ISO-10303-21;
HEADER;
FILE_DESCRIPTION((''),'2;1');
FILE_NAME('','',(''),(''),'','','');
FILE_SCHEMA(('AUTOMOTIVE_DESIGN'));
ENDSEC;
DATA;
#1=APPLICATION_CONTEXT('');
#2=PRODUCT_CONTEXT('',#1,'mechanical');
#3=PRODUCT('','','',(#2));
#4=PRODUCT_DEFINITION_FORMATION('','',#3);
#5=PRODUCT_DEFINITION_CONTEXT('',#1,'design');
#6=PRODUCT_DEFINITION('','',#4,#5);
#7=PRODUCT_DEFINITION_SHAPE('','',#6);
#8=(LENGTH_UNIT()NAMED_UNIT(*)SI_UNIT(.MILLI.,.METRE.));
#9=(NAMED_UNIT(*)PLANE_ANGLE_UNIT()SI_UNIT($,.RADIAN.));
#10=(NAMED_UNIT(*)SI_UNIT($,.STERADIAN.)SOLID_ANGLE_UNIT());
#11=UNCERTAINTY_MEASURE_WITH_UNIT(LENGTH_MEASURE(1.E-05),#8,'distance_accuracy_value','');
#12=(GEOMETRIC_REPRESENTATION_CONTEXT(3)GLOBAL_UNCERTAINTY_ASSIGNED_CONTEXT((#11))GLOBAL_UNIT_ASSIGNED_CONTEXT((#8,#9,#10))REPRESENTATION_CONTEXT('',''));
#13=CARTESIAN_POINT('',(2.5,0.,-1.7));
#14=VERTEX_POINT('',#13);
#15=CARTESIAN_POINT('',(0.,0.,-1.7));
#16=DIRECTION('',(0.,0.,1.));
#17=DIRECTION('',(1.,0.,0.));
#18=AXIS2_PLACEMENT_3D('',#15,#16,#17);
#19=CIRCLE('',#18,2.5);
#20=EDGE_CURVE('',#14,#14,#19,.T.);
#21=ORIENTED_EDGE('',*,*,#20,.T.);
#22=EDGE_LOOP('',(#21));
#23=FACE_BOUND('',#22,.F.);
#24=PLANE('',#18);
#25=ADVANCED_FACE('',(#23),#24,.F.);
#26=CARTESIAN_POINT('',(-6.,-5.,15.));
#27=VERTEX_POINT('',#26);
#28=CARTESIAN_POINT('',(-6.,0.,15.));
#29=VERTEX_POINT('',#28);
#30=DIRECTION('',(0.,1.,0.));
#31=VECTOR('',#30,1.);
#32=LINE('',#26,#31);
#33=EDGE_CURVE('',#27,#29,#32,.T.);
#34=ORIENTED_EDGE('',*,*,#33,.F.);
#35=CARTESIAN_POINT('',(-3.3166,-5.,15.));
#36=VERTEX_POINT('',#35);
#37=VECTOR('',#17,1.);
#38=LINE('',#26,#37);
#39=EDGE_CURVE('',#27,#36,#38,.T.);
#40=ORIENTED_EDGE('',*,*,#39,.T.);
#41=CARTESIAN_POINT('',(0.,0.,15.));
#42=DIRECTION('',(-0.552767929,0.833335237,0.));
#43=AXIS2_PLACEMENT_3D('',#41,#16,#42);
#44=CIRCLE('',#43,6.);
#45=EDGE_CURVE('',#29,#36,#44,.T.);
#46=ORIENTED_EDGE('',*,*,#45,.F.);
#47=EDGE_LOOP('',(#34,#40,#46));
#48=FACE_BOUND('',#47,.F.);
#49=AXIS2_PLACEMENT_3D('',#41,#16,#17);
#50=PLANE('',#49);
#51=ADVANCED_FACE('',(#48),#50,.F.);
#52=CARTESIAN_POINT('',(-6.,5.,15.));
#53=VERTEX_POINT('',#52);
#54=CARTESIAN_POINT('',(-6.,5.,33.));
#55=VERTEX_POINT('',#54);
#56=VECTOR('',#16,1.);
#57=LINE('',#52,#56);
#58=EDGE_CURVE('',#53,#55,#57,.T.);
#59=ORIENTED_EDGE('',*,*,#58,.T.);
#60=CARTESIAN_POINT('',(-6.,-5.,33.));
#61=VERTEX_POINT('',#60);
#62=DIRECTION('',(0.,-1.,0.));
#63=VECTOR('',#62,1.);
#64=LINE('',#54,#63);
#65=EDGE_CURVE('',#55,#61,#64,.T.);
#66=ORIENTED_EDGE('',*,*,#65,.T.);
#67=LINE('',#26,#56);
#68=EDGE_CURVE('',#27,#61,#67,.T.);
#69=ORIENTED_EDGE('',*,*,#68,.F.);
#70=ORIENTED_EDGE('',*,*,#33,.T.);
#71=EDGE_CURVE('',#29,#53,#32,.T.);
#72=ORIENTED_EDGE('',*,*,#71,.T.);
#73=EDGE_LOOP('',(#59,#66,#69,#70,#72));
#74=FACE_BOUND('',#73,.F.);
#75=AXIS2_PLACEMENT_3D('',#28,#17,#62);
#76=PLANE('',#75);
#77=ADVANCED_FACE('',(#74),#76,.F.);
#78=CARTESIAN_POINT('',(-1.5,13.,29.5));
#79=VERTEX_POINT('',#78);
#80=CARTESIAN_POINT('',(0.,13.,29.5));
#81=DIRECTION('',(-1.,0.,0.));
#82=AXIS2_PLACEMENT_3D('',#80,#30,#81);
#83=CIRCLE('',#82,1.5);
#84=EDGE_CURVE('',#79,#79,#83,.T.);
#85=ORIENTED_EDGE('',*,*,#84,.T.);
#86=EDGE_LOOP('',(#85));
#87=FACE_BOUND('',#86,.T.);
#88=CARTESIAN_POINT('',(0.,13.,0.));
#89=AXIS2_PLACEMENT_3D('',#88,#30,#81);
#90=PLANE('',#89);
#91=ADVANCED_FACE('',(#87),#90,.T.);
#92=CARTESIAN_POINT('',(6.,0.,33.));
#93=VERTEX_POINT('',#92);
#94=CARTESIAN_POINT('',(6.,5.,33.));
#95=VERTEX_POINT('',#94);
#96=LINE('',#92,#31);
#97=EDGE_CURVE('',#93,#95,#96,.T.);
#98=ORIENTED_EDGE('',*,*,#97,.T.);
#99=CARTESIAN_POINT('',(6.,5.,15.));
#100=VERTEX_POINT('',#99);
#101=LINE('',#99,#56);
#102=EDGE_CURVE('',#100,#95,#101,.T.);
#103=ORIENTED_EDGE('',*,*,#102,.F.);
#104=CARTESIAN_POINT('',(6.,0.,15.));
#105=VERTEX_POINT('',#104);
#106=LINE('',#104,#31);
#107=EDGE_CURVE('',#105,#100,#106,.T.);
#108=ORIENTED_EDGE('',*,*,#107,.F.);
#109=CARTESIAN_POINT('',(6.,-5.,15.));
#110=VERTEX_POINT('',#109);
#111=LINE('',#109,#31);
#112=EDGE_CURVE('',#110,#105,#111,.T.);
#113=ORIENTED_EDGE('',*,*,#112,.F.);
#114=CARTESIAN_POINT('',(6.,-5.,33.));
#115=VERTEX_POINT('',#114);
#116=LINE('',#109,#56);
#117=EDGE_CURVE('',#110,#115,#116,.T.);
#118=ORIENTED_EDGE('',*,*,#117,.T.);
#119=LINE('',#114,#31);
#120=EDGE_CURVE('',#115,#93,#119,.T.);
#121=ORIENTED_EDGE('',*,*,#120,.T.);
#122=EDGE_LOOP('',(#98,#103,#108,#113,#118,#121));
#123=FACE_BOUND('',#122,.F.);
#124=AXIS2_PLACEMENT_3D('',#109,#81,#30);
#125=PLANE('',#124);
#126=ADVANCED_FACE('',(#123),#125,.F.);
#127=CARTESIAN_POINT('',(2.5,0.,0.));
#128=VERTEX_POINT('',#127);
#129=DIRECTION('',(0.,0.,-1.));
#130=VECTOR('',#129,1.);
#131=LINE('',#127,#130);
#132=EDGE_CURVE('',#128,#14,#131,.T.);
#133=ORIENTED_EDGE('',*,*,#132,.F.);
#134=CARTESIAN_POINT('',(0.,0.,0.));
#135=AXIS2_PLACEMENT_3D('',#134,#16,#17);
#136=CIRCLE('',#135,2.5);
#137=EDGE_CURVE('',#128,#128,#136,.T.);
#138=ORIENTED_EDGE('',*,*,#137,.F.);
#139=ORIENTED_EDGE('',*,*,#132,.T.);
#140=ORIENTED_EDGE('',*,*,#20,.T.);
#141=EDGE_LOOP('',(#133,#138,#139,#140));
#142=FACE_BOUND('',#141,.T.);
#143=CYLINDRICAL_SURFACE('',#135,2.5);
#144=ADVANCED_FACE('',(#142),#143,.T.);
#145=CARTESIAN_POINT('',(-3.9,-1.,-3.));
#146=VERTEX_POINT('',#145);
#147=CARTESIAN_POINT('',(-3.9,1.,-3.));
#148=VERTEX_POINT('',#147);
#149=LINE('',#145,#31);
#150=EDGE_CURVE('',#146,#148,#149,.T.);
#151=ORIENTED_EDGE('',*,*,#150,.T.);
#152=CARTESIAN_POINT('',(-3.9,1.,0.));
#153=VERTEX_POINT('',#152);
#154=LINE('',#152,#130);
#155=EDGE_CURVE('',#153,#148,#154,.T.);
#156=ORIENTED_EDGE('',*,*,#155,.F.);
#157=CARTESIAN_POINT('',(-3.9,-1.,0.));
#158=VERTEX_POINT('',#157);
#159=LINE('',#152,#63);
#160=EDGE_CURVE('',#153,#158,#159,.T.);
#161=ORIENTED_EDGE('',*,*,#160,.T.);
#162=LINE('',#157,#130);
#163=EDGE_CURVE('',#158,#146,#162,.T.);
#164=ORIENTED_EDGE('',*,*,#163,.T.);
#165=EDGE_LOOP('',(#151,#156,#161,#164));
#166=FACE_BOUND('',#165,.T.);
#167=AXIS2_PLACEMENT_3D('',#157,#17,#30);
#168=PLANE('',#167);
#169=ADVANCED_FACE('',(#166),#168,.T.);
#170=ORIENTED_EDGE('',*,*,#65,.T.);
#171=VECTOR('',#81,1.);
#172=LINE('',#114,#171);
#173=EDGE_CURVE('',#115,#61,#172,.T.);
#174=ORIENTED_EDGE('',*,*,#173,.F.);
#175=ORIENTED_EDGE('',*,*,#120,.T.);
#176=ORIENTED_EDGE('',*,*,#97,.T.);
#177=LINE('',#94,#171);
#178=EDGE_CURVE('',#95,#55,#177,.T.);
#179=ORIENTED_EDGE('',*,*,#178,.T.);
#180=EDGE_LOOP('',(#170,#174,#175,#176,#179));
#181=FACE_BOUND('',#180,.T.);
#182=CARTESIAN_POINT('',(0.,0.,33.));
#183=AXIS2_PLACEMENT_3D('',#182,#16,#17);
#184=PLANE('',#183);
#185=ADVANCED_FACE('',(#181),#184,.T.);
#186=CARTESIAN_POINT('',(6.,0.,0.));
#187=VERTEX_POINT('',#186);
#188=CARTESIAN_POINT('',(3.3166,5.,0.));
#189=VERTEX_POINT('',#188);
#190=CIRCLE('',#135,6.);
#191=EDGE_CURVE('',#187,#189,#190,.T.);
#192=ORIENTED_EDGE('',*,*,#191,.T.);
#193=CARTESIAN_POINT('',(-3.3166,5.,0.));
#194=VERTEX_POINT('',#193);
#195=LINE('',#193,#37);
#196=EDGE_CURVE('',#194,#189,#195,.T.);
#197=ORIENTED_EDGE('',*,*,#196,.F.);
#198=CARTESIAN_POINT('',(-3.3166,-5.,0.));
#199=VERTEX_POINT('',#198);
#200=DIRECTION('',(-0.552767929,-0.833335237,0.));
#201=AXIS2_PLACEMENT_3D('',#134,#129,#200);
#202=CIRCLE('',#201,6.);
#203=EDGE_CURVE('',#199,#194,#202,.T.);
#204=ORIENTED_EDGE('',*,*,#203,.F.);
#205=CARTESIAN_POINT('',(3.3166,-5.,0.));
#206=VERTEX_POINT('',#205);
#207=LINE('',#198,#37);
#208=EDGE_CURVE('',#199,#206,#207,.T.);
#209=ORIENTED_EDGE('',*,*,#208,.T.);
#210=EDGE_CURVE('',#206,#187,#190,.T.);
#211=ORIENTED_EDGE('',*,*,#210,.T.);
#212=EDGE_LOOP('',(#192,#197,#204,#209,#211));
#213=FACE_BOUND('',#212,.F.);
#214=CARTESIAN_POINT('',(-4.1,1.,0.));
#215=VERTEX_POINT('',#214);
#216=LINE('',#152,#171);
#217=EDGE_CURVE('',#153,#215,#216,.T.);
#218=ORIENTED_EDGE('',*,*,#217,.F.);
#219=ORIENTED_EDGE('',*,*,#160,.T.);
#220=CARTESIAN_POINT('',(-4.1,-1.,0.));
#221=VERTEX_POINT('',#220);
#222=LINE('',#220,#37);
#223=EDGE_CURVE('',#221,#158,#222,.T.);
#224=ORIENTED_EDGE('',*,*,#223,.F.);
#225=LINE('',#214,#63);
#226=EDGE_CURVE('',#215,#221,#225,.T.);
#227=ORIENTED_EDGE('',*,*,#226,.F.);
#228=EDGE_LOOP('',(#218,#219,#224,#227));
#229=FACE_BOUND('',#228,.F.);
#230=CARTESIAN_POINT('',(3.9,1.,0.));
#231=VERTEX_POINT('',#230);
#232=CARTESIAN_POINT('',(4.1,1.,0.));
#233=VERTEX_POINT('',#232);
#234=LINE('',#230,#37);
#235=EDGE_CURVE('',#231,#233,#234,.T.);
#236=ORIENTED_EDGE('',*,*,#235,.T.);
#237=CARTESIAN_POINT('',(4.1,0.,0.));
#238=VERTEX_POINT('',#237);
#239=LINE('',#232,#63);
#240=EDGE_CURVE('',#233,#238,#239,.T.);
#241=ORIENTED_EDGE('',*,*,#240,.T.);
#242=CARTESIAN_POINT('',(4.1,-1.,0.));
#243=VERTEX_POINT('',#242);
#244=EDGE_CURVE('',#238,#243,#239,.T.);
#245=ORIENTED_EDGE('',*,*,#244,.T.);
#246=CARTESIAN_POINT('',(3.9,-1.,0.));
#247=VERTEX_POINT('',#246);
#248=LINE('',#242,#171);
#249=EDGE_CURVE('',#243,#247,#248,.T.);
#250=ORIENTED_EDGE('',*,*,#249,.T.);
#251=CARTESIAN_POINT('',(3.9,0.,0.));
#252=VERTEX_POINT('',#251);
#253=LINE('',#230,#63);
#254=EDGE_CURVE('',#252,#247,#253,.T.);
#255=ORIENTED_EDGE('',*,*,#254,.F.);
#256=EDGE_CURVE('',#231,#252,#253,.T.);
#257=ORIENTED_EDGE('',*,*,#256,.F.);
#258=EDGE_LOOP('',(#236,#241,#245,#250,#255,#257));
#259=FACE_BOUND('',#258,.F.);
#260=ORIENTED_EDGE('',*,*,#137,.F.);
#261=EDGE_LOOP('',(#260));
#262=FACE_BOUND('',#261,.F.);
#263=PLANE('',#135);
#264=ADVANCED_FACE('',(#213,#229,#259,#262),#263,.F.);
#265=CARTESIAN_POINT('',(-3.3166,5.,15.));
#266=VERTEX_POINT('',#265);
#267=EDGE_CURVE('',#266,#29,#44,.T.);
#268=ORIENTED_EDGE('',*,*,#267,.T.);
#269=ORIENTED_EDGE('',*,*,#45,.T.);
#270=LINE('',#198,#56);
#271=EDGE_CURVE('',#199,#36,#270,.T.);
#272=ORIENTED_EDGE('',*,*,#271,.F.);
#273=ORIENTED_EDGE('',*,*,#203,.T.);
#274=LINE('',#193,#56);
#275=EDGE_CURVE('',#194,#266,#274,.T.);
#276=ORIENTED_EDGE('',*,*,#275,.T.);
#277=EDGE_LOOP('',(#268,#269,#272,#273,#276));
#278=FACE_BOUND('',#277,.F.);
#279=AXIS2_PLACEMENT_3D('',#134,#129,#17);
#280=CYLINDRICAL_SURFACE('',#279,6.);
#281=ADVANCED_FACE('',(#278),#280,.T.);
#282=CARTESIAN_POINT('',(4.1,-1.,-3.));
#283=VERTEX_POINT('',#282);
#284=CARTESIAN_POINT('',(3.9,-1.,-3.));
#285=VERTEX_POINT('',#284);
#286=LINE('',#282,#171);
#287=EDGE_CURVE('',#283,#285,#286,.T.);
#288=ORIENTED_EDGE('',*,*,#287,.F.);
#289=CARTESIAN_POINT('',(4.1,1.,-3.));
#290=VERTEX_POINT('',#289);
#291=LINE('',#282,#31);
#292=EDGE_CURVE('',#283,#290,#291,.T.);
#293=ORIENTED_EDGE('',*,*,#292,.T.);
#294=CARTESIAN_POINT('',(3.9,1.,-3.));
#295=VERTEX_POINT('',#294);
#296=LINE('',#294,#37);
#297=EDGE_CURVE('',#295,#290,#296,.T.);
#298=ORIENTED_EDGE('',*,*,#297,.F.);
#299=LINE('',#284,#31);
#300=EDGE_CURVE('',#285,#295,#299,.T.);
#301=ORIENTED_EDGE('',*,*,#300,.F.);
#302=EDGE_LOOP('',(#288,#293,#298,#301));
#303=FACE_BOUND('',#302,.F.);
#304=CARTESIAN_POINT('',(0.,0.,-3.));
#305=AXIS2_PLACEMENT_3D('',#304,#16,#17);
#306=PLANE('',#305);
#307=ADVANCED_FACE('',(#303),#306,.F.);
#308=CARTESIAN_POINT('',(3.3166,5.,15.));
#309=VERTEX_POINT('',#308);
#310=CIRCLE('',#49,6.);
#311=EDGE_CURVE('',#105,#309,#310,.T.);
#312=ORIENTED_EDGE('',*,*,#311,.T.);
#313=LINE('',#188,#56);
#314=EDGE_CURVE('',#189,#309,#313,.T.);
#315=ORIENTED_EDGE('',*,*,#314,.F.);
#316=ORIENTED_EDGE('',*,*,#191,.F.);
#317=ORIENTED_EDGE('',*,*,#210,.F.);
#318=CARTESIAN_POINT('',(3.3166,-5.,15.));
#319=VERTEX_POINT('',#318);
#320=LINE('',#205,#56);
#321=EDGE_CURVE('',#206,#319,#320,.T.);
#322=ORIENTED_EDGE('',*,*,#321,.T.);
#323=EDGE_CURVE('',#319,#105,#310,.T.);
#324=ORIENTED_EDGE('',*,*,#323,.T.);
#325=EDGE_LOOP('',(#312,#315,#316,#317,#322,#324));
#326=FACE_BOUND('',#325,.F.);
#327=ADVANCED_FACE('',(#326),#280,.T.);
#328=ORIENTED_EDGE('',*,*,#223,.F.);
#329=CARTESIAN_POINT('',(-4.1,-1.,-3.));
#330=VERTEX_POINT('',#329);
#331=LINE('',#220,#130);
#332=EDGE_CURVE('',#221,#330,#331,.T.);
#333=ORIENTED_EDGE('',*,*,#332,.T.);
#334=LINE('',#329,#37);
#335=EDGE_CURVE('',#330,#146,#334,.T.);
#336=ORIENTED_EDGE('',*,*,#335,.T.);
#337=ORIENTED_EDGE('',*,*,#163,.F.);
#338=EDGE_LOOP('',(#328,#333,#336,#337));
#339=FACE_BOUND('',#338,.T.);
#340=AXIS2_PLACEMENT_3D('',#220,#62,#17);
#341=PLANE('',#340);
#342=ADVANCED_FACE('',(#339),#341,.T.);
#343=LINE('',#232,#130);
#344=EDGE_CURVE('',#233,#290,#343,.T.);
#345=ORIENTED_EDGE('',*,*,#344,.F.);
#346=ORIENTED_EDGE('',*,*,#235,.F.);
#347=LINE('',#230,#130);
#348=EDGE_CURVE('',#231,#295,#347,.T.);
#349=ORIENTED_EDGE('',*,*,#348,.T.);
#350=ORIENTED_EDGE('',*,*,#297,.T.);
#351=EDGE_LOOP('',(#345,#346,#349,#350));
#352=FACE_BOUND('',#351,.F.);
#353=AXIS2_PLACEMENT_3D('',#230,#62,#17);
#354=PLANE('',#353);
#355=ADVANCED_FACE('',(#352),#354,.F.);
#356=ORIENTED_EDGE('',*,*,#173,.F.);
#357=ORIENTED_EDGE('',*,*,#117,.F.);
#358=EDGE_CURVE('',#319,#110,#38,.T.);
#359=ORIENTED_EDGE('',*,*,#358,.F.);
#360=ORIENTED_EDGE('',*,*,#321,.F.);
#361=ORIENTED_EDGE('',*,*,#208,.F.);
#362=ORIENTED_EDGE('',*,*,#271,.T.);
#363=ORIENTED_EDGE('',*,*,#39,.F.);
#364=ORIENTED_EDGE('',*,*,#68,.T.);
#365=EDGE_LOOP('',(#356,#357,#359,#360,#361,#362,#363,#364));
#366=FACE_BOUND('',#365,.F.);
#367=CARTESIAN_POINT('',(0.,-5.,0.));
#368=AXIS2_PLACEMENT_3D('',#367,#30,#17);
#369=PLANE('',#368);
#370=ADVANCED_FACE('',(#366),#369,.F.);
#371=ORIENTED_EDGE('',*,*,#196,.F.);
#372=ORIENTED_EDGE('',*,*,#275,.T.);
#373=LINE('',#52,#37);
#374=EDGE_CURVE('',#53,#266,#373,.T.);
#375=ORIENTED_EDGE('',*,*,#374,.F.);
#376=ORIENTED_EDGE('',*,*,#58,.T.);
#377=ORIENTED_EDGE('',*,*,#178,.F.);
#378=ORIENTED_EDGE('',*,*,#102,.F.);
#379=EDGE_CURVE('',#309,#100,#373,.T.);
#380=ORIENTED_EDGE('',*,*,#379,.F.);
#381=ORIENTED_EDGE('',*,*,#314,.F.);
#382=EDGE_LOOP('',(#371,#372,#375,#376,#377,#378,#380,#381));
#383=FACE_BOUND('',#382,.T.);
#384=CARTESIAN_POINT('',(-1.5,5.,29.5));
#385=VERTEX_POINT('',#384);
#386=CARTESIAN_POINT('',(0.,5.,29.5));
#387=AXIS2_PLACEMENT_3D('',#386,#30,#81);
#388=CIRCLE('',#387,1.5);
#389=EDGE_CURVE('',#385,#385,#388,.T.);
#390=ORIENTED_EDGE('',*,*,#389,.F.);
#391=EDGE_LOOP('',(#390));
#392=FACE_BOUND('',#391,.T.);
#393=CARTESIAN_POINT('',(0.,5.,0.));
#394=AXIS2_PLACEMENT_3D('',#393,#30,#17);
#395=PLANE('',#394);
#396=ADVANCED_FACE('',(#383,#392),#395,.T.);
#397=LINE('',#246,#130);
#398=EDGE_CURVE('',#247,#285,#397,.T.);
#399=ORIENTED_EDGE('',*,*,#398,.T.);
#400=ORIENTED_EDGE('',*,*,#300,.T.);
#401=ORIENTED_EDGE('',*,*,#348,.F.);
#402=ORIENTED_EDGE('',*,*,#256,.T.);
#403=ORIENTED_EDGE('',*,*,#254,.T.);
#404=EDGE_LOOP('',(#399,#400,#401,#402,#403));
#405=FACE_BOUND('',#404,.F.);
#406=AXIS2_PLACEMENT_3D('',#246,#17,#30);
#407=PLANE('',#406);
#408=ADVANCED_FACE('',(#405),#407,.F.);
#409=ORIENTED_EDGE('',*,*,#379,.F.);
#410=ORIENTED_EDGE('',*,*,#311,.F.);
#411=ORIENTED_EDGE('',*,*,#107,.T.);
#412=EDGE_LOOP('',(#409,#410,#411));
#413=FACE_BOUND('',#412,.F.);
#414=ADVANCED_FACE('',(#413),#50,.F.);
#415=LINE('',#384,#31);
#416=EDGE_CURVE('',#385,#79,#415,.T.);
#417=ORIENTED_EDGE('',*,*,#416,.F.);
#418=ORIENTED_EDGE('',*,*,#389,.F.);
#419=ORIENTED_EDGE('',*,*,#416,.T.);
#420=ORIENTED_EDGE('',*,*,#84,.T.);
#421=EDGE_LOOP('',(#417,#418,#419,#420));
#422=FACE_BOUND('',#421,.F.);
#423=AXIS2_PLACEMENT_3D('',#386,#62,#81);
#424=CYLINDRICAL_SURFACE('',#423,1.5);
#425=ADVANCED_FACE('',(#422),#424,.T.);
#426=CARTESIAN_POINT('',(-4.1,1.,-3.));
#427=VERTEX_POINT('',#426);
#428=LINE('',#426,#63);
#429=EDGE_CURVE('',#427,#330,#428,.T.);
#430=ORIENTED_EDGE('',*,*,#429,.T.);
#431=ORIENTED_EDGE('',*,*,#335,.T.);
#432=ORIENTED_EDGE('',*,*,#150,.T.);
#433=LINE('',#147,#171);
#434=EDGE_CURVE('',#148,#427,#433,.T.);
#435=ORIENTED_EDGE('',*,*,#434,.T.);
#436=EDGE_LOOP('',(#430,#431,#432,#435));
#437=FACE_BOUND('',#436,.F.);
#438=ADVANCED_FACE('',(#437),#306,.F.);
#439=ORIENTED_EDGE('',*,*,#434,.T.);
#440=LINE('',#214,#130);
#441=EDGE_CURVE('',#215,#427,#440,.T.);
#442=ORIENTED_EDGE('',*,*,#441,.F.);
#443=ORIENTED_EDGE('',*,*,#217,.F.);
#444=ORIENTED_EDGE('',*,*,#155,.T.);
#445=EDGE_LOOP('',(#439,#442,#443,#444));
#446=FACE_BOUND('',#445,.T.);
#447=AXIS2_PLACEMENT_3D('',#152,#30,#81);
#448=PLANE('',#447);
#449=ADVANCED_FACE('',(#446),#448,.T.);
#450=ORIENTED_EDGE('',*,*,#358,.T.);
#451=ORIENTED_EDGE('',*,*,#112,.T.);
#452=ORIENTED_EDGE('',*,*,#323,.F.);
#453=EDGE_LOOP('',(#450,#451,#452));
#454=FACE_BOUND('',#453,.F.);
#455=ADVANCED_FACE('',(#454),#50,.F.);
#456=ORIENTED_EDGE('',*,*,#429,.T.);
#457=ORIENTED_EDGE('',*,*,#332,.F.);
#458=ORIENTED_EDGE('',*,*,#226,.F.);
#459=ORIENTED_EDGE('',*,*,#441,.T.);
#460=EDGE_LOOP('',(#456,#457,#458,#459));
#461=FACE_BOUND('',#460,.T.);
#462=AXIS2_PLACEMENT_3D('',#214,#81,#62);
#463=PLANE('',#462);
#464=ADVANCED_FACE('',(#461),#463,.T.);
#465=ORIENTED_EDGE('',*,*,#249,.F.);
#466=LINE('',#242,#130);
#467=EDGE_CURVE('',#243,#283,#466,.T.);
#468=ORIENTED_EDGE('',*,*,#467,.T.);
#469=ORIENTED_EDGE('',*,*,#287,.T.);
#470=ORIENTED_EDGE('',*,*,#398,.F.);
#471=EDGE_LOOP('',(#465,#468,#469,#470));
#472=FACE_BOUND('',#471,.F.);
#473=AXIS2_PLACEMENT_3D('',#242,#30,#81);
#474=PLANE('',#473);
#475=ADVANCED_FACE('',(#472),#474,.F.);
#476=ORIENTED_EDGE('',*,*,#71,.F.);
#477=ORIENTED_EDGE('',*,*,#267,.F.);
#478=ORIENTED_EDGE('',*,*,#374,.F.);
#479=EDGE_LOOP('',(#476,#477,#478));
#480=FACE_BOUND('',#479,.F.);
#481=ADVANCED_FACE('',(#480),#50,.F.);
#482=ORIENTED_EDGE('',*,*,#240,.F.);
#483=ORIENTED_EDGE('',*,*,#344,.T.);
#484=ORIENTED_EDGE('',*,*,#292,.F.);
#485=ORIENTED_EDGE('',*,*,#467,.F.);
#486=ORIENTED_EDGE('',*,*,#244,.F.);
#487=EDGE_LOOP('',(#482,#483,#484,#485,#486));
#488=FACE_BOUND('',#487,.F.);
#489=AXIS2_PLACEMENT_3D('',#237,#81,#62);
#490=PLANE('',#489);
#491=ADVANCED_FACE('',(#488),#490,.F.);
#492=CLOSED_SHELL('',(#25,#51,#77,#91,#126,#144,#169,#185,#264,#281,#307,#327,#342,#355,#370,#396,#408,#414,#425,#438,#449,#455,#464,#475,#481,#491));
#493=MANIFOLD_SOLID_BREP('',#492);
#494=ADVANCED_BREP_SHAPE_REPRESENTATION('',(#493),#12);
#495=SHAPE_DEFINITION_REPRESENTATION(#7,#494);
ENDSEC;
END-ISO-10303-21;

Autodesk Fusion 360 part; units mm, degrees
sketch "Sketch1" plane through (0, 0, 0) normal (0, 0, 1) x (1, 0, 0)
  circle A0 centre (0, 0) radius 6
  line L0 (0, 0) -> (0, 5) construction
  line L1 (0, 5) -> (3.3166, 5)
  line L2 (0, 5) -> (-3.3166, 5)
  line L3 (20, 0) -> (2.5, 0)
  line L4 (0, -5) -> (3.3166, -5)
  line L5 (0, -5) -> (-3.3166, -5)
  circle A1 centre (0, 0) radius 2.5
  circle A2 centre (0, 0) radius 3.9 construction
  line L6 (-3.9, 0) -> (-3.9, 1)
  line L7 (-3.9, 1) -> (-4.1, 1)
  line L8 (-4.1, 1) -> (-4.1, -1)
  line L9 (-4.1, -1) -> (-3.9, -1)
  line L10 (-3.9, -1) -> (-3.9, 0)
  line L11 (4.1, 1) -> (4.1, -1)
  line L12 (3.9, 0) -> (3.9, 1)
  line L13 (3.9, 1) -> (4.1, 1)
  line L14 (3.9, -1) -> (3.9, 0)
  line L15 (4.1, -1) -> (3.9, -1)
  line L16 (6, 0) -> (6, 5)
  line L17 (6, 5) -> (-6, 5)
  line L18 (-6, 5) -> (-6, -5)
  line L19 (-6, -5) -> (6, -5)
  line L20 (6, -5) -> (6, 0)
  dimension "d1" = 12
  dimension "d2" = 5
  dimension "d5" = 5
  dimension "d8" = 7.8
  dimension "d9" = 1
  dimension "d10" = 0.2
  dimension "d11" = 2
  dimension "d12" = 0.2
  dimension "d15" = 5
  dimension "d16" = 12
  dimension "d17" = 10
  dimension "d18" = 12
extrude "Extrude1" add sketch "Sketch1" along normal blind 15 contours A0 L1 L2 L4 L5 L17 L19 | A1 | L3 L11 L14 L15 | L3 L11 L12 L13 | L6 L7 L8 L9 L10
extrude "Extrude2" add sketch "Sketch1" against normal blind 1.7 contours A1
extrude "Extrude3" add sketch "Sketch1" against normal blind 3 contours L3 L11 L14 L15 | L3 L11 L12 L13 | L6 L7 L8 L9 L10
extrude "Extrude4" add sketch "Sketch1" along normal blind 18 from surface at 15 contours A0 L1 L2 L4 L5 L17 L19 | A0 L19 L20 | A1 | L3 L11 L14 L15 | L3 L11 L12 L13 | A0 L16 L17 | A0 L17 L18 | A0 L18 L19 | L6 L7 L8 L9 L10
sketch "Sketch2" plane through (0, 5, 0) normal (0, 1, 0) x (-1, 0, 0)
  line L0 (-15, 0) -> (-15, 5)
  line L1 (-15, 5) -> (-33, 5)
  line L2 (-33, 5) -> (-33, -5)
  line L3 (-33, -5) -> (-15, -5)
  line L4 (-15, -5) -> (-15, 0)
  line L5 (-15, 0) -> (-31, 0) construction
  line L6 (-31, 0) -> (-29.5, 0) construction
  circle A0 centre (-29.5, 0) radius 1.5
  line L7 (-3.3166, 0) -> (3.3166, 0)
  line L8 (3.3166, 0) -> (3.3166, 15)
  line L9 (3.3166, 15) -> (6, 15)
  line L10 (6, 15) -> (6, 33)
  line L11 (6, 33) -> (-6, 33)
  line L12 (-6, 33) -> (-6, 15)
  line L13 (-6, 15) -> (-3.3166, 15)
  line L14 (-3.3166, 15) -> (-3.3166, 0)
  line L15 (3.3166, 15) -> (-3.3166, 15)
  line L16 (0, 15) -> (0, 31) construction
  line L17 (0, 31) -> (0, 29.5) construction
  circle A1 centre (0, 29.5) radius 1.5
  dimension "d22" = 16
  dimension "d23" = 1.5
  dimension "d24" = 3
  dimension "d25" = 16
  dimension "d26" = 1.5
  dimension "d27" = 3
extrude "Extrude5" add sketch "Sketch2" along normal blind 8 contours A1
